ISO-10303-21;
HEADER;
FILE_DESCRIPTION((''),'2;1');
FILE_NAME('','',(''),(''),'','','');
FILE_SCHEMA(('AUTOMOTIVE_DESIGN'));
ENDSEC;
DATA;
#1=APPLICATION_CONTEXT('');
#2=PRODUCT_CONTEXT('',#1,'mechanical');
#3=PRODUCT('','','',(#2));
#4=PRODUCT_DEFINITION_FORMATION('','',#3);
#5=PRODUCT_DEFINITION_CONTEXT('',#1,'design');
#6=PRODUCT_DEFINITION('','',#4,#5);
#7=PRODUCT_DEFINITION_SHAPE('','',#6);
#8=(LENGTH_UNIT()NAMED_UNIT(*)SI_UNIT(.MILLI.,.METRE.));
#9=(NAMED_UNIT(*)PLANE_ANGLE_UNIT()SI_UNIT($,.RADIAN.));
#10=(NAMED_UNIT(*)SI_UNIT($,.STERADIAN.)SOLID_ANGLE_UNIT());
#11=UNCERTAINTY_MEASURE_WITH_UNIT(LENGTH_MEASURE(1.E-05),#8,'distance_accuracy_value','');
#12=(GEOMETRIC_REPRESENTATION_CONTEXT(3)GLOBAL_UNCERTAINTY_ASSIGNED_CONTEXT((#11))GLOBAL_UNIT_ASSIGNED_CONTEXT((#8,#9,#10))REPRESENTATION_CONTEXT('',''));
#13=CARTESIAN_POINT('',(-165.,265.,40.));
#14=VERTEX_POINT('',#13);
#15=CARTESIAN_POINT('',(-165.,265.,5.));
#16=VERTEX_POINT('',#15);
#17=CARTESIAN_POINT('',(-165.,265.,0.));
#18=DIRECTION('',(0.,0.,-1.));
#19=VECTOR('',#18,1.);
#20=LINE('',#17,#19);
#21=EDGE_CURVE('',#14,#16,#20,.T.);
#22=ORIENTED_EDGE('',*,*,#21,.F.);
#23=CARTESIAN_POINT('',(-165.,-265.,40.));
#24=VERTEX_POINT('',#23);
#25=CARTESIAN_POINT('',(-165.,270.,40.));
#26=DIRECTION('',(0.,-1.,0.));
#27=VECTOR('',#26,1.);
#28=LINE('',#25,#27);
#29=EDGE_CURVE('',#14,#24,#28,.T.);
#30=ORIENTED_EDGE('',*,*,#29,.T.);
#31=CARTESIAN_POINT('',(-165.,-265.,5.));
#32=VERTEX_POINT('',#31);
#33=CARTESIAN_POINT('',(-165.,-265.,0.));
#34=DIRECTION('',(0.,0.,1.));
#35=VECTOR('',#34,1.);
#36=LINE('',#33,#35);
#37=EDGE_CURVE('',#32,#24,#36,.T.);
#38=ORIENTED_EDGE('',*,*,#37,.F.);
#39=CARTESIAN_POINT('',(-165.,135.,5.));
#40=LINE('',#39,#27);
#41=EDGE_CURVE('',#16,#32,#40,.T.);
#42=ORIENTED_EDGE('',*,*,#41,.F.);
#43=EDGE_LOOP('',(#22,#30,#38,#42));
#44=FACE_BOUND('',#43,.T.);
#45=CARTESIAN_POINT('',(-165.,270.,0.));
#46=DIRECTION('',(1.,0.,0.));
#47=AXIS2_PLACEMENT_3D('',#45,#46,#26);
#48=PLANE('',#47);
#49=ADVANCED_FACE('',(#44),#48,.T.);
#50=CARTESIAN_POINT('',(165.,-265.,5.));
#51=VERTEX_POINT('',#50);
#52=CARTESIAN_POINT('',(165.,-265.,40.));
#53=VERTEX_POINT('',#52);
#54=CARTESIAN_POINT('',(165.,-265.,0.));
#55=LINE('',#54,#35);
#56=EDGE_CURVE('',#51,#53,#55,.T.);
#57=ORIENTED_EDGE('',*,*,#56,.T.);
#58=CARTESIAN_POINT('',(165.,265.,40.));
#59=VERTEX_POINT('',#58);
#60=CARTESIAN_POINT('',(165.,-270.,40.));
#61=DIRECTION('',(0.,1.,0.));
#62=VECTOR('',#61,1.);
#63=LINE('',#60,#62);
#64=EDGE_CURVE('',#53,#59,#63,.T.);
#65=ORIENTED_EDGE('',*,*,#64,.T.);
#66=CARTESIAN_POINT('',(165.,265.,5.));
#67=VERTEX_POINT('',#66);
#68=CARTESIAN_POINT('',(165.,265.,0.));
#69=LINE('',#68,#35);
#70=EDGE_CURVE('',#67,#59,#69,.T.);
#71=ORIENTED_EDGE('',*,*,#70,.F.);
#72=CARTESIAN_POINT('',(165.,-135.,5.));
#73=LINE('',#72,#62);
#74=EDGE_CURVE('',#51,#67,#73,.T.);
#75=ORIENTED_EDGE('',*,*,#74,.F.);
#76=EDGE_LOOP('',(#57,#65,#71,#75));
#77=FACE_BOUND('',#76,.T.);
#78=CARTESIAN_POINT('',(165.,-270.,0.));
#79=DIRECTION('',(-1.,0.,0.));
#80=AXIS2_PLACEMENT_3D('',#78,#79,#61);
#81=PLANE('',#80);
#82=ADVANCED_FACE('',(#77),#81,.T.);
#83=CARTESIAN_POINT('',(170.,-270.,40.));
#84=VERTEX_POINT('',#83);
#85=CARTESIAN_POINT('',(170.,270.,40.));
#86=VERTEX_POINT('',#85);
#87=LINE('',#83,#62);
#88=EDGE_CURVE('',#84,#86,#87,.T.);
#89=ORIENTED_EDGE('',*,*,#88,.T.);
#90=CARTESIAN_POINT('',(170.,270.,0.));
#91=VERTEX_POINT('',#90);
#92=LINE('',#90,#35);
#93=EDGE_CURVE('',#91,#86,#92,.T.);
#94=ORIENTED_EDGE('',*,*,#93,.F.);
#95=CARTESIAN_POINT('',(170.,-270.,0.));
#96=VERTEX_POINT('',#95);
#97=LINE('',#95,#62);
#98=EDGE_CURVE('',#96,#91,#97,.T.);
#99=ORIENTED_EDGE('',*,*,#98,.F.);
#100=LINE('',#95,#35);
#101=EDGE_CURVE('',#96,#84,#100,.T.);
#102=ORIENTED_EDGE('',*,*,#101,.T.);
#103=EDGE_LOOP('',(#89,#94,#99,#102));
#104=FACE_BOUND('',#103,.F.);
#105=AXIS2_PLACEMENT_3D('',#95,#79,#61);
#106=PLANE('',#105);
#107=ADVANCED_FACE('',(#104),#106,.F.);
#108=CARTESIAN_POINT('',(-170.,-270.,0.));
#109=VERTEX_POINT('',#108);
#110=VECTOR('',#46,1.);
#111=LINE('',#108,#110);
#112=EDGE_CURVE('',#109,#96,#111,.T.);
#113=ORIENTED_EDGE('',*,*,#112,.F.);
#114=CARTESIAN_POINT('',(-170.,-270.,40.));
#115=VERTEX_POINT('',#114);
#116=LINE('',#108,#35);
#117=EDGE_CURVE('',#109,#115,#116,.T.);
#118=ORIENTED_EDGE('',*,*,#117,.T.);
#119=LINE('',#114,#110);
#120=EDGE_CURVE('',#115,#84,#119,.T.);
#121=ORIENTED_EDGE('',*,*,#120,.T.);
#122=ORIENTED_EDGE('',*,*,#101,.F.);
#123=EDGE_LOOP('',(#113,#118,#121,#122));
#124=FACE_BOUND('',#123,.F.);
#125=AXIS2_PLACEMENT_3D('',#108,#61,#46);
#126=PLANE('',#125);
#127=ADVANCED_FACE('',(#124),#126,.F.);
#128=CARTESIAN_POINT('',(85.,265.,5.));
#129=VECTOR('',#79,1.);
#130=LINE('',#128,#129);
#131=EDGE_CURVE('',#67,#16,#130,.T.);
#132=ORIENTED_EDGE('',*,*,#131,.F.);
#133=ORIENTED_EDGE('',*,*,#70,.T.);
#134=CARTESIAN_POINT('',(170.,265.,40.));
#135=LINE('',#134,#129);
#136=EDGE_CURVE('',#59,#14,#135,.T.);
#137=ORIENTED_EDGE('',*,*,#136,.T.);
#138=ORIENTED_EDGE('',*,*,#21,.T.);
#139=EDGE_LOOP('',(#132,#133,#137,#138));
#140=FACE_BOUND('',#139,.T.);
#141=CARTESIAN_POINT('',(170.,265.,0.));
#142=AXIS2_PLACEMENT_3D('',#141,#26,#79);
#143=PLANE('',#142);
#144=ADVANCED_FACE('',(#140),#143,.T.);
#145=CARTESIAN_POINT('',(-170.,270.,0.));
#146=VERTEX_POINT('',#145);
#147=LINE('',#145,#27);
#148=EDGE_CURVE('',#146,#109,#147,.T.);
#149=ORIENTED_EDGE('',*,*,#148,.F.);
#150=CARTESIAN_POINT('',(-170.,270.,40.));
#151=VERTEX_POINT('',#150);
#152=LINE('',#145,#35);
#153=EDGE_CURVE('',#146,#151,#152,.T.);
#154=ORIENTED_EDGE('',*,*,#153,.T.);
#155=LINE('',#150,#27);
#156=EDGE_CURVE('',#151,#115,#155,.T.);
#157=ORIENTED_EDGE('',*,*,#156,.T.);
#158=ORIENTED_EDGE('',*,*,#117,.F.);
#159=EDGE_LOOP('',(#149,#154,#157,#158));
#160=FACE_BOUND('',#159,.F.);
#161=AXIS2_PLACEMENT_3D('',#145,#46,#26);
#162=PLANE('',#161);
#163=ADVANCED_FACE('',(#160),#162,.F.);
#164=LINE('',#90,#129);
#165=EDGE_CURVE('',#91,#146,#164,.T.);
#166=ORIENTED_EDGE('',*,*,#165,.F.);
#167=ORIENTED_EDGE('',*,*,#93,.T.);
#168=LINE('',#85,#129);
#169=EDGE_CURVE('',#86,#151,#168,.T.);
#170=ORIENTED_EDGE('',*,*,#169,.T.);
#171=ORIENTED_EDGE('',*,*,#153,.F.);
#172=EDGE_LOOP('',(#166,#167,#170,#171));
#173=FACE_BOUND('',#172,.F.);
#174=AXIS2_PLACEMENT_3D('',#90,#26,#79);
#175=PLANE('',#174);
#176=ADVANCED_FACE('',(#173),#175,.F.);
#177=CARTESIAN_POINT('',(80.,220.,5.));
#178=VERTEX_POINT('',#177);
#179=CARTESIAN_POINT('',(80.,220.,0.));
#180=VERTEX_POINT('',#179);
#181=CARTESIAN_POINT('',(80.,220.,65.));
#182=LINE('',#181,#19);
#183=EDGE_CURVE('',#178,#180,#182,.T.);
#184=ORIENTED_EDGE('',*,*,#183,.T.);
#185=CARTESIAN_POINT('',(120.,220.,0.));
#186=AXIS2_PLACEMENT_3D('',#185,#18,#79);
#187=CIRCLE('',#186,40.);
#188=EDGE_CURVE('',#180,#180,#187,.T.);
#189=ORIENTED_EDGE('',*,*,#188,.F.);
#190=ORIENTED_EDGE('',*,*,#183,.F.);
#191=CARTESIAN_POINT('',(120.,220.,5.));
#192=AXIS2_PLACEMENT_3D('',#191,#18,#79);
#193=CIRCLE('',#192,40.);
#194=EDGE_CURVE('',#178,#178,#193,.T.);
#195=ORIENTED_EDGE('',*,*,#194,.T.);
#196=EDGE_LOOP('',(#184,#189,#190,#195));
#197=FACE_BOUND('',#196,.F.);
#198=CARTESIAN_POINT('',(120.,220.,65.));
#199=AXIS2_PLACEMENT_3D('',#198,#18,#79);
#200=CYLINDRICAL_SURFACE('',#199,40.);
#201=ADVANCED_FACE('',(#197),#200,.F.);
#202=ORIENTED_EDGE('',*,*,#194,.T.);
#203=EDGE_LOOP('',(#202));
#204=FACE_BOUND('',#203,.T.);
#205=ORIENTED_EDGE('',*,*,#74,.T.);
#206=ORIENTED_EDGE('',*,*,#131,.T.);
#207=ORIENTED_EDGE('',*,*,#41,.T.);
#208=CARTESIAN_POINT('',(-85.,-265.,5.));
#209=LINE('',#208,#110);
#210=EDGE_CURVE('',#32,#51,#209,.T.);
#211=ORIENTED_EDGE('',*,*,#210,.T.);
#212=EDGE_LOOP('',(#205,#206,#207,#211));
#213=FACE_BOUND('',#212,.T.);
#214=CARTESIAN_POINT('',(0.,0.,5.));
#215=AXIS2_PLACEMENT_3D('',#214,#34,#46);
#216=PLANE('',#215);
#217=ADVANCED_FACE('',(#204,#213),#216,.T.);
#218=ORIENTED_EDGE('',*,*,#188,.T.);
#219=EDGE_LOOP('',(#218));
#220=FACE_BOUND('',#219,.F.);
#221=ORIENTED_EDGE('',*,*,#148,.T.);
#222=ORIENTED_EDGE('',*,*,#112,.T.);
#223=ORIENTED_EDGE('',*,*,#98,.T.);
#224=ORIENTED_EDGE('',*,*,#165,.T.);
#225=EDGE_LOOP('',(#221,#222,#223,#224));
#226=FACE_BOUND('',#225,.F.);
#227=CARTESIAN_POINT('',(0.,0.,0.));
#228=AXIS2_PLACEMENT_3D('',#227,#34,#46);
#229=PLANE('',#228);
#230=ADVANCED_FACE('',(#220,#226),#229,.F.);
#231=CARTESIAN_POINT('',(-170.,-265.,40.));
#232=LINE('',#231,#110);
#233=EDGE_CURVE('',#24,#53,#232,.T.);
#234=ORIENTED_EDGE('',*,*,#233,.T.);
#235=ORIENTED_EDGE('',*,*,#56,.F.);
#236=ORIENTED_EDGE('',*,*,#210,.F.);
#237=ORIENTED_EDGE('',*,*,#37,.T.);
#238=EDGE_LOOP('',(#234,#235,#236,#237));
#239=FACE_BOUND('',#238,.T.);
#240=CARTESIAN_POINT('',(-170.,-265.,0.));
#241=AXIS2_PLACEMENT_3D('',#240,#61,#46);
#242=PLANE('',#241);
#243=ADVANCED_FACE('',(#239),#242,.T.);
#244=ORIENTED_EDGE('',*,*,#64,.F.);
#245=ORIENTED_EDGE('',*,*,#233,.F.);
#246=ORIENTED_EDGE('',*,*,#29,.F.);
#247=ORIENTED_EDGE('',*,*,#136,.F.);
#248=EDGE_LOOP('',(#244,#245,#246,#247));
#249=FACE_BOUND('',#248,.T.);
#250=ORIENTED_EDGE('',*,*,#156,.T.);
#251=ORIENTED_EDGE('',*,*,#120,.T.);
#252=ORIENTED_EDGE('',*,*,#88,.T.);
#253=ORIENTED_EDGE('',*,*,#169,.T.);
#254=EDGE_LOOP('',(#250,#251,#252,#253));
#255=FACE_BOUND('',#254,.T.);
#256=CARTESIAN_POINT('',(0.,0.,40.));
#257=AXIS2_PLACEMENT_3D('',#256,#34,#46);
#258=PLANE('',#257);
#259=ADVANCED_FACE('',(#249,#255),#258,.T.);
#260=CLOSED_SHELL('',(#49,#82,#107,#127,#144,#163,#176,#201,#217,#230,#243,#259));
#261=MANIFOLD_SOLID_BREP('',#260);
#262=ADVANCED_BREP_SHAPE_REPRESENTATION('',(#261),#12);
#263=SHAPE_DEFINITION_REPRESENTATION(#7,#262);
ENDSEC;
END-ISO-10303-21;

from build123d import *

# Parameters (mm, degrees)
F1_DEPTH = 40
F2_T     = -5
F4_D     = 80
F4_DEPTH = 60


with BuildPart() as f1:
    # F0 (on Top) → F1 (new body)
    with BuildSketch(Plane.XY):
        Polygon((-170, 270), (-170, 0), (-170, -270), (170, -270), (170, 270), align=None)
    extrude(amount=F1_DEPTH)

    # F2
    f2_openings = [f1.faces().sort_by_distance(p)[0] for p in [
        (0, 0, 40),
    ]]
    offset(amount=F2_T, openings=f2_openings)

    # F4
    with Locations(Plane.XY.offset(5)):
        with Locations((120, 220)):
            Hole(F4_D / 2, depth=F4_DEPTH)


solid = f1.part
